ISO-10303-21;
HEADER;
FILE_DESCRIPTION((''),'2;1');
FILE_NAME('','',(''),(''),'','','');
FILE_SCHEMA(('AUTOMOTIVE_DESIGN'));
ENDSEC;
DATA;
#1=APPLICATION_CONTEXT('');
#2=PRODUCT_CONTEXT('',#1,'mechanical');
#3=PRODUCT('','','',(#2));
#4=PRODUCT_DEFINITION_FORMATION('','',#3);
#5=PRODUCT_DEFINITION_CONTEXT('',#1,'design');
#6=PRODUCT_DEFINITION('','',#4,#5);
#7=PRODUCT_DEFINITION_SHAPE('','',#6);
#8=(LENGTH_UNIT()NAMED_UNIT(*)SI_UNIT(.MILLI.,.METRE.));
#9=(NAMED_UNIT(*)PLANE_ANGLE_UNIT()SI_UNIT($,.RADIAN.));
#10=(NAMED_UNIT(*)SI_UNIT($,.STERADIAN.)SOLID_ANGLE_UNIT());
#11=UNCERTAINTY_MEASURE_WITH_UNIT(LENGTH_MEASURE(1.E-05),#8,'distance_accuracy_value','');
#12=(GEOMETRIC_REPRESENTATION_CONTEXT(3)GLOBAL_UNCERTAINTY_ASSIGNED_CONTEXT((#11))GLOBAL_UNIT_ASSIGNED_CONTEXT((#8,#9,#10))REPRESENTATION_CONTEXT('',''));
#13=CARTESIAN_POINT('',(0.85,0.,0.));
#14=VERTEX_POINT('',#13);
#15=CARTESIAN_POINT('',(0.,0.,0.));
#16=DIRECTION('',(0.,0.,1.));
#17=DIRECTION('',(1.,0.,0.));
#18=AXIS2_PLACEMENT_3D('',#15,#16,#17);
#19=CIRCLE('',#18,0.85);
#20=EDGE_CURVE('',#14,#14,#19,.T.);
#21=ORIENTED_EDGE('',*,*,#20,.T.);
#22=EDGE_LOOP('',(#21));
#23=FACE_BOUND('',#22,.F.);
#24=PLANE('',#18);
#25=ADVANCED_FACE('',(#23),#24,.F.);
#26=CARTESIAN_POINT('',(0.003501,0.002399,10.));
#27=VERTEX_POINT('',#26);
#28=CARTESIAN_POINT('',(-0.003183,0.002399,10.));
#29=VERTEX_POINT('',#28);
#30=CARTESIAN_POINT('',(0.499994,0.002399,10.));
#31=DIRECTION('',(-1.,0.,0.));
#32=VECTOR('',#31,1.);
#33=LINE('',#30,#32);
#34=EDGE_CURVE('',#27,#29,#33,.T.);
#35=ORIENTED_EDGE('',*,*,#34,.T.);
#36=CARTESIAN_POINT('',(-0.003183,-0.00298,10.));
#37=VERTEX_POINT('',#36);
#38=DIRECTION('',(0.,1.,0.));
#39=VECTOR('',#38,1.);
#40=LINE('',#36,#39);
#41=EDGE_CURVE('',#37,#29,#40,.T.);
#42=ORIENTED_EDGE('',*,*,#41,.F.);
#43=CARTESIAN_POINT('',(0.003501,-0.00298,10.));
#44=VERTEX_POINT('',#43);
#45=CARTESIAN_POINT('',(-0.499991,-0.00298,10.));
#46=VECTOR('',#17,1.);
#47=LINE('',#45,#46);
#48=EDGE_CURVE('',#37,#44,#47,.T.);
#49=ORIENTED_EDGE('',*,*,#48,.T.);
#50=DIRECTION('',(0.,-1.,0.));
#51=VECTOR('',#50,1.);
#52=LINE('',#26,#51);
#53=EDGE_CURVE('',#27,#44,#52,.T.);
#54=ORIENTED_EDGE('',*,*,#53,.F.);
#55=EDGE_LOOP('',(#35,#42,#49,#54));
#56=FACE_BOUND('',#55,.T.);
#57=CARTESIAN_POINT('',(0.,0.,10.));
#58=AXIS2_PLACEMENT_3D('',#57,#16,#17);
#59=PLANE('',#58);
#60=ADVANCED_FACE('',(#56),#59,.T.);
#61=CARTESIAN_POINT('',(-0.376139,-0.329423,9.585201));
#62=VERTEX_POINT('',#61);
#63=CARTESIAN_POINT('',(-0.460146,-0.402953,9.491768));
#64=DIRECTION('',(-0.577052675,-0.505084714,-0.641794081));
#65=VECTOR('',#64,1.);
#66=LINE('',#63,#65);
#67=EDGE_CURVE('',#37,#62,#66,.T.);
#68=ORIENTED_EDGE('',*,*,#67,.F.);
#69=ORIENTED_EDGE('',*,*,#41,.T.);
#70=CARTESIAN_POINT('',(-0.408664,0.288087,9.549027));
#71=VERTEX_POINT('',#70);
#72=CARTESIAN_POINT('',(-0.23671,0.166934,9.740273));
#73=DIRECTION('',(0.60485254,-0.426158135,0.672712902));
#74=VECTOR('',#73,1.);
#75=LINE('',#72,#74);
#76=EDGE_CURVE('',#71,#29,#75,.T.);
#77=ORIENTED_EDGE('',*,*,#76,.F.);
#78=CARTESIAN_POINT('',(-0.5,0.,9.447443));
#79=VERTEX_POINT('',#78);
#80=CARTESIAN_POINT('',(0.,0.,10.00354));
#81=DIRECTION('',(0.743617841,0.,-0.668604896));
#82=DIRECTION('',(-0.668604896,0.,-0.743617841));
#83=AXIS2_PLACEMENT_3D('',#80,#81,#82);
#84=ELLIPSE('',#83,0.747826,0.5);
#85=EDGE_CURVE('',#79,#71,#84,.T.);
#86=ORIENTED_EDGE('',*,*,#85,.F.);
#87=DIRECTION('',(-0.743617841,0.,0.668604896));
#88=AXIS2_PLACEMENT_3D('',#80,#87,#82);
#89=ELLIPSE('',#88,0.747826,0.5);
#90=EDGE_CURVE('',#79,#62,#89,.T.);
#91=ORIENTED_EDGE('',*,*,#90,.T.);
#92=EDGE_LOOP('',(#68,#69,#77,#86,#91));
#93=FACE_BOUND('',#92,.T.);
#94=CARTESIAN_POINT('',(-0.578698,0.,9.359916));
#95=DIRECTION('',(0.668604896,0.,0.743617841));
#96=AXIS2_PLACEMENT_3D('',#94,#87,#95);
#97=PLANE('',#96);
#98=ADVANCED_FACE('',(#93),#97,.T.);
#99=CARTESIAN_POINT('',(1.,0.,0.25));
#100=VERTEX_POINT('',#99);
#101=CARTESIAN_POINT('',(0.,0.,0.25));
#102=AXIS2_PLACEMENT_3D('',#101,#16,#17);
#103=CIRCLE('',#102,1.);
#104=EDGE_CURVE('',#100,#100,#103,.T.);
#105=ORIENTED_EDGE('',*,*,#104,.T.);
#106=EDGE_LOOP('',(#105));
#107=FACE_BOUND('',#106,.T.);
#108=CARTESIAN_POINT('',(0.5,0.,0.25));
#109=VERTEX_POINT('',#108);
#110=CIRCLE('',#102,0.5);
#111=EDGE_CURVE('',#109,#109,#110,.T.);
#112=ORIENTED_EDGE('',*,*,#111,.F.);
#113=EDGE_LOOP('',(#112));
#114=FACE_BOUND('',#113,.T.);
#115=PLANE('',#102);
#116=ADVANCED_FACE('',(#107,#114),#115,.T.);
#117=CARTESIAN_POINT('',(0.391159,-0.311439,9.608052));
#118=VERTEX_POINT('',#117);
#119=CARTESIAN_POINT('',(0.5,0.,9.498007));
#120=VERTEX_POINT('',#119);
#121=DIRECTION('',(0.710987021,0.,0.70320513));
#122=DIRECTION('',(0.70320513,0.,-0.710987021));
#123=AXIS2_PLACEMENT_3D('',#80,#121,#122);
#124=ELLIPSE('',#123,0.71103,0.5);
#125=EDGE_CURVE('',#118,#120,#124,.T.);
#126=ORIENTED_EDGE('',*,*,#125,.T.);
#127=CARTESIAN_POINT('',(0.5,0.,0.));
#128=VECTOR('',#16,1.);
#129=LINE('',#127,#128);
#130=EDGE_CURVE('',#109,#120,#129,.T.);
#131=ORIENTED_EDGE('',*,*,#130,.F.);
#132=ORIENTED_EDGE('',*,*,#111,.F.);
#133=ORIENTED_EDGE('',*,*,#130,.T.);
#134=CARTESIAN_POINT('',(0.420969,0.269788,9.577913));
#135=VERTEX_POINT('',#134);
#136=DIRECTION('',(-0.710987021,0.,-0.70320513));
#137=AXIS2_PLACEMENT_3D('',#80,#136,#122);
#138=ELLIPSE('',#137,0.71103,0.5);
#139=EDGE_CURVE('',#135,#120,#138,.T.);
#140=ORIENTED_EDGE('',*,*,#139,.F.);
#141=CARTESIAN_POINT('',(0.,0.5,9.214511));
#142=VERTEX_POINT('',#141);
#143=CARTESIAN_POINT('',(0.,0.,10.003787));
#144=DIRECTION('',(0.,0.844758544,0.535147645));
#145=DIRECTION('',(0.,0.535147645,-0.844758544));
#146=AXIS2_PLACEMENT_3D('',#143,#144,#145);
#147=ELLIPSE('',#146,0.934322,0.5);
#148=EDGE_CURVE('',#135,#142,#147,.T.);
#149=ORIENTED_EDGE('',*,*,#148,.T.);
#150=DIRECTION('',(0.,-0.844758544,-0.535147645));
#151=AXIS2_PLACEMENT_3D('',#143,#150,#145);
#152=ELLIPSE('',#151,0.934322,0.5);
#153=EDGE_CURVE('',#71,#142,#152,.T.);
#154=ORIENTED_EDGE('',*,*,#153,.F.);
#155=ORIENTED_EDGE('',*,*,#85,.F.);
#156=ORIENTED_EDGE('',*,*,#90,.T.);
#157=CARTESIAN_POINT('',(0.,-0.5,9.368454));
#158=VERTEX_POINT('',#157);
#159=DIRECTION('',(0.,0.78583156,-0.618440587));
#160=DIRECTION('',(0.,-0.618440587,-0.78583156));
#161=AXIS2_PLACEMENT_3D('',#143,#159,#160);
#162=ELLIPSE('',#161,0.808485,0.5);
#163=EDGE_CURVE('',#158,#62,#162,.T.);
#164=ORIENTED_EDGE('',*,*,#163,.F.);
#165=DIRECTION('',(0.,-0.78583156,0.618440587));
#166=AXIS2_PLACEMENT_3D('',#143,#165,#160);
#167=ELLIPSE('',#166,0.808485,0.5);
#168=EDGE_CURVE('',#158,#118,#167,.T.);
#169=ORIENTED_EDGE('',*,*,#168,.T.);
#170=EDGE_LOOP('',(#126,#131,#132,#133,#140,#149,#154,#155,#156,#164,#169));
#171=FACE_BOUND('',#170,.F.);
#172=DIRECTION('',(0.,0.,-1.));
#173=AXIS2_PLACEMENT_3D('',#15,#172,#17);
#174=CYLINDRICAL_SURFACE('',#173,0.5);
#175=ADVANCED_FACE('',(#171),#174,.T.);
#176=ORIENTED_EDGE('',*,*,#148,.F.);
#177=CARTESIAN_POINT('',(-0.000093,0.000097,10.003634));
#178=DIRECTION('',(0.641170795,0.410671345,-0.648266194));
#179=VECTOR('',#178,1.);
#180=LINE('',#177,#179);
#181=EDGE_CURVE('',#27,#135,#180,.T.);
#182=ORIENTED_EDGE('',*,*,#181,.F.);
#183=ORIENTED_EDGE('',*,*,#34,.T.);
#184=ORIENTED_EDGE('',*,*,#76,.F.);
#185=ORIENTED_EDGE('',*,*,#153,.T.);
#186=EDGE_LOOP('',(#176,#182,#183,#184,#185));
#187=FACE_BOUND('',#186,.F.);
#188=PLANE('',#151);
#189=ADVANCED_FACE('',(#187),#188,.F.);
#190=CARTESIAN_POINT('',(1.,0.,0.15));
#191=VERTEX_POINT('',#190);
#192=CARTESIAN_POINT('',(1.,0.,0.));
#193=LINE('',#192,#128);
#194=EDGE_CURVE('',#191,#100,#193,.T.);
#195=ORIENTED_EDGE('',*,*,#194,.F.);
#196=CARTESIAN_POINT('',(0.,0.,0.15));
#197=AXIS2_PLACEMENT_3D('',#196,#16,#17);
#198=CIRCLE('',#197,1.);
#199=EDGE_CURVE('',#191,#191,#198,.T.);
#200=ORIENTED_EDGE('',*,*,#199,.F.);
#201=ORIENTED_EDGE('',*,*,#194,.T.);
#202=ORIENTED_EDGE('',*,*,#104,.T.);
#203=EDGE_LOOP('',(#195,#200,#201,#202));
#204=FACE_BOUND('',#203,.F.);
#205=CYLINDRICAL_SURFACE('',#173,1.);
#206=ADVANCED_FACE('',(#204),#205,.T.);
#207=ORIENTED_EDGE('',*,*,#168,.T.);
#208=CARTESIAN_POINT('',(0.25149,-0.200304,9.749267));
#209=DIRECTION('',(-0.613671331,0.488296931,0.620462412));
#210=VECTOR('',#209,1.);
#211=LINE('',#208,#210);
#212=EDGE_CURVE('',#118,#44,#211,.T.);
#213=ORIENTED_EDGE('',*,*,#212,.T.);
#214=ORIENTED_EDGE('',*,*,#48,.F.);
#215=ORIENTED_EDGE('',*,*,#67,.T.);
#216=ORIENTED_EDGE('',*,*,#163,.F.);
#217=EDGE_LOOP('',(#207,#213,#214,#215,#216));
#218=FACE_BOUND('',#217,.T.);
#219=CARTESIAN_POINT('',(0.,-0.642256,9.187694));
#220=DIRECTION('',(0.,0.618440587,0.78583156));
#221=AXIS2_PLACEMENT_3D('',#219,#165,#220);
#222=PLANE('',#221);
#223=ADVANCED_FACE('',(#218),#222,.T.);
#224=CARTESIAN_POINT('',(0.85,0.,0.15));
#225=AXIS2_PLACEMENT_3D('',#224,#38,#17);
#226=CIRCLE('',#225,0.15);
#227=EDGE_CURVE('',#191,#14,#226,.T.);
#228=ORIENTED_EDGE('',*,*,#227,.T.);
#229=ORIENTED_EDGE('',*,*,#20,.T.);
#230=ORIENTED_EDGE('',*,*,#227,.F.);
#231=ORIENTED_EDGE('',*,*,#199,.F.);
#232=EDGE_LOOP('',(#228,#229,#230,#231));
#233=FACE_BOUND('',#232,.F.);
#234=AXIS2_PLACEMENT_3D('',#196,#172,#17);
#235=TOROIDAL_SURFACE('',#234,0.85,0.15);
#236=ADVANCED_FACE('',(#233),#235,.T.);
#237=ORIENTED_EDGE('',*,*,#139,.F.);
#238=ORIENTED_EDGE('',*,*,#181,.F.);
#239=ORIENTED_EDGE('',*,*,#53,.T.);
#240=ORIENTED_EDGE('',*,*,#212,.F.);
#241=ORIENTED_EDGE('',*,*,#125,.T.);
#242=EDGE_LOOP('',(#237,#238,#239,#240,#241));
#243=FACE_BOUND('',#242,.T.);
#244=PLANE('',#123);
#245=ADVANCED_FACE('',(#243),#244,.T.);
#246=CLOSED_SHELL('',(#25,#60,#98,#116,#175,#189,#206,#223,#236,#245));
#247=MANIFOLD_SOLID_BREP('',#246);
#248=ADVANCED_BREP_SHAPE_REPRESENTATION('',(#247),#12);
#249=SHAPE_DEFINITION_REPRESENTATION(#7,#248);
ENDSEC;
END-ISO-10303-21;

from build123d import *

# Parameters (mm, degrees)
F0_R          = 0.5
F1_DEPTH      = 10
F0_R_2        = 1
F2_DEPTH      = 0.25
F3_R          = 0.15
F5_DEPTH      = 25
F5_DEPTH_BACK = 25
F7_DEPTH      = 25
F7_DEPTH_BACK = 25


with BuildPart() as f1:
    # F0 (on Top) → F1 (new body)
    with BuildSketch(Plane.XY):
        Circle(F0_R)
    extrude(amount=F1_DEPTH)

    # F0 (on Top) → F2 (join)
    with BuildSketch(Plane.XY):
        Circle(F0_R_2)
        Circle(F0_R, mode=Mode.SUBTRACT)
    extrude(amount=F2_DEPTH)

    # F3
    f3_edges = [f1.edges().sort_by_distance(p)[0] for p in [
        (-1, 0, 0),
    ]]
    fillet(f3_edges, radius=F3_R)

    # F4 (on Right) → F5 (cut, two sides)
    with BuildSketch(Plane.YZ) as f5_sk:
        Polygon((-0.642256, 9.187694), (0, 10.003787), (0.555127, 9.12749), (0.555127, 10.278048), (-0.642256, 10.278048), align=None)
    extrude(amount=F5_DEPTH, mode=Mode.SUBTRACT)
    extrude(f5_sk.sketch, amount=-F5_DEPTH_BACK, mode=Mode.SUBTRACT)

    # F6 (on Front) → F7 (cut, two sides)
    with BuildSketch(Plane.XZ) as f7_sk:
        Polygon((-0.578698, 9.359916), (0, 10.00354), (0.59532, 9.401632), (0.59532, 10.164445), (-0.578698, 10.164445), align=None)
    extrude(amount=F7_DEPTH, mode=Mode.SUBTRACT)
    extrude(f7_sk.sketch, amount=-F7_DEPTH_BACK, mode=Mode.SUBTRACT)


solid = f1.part
